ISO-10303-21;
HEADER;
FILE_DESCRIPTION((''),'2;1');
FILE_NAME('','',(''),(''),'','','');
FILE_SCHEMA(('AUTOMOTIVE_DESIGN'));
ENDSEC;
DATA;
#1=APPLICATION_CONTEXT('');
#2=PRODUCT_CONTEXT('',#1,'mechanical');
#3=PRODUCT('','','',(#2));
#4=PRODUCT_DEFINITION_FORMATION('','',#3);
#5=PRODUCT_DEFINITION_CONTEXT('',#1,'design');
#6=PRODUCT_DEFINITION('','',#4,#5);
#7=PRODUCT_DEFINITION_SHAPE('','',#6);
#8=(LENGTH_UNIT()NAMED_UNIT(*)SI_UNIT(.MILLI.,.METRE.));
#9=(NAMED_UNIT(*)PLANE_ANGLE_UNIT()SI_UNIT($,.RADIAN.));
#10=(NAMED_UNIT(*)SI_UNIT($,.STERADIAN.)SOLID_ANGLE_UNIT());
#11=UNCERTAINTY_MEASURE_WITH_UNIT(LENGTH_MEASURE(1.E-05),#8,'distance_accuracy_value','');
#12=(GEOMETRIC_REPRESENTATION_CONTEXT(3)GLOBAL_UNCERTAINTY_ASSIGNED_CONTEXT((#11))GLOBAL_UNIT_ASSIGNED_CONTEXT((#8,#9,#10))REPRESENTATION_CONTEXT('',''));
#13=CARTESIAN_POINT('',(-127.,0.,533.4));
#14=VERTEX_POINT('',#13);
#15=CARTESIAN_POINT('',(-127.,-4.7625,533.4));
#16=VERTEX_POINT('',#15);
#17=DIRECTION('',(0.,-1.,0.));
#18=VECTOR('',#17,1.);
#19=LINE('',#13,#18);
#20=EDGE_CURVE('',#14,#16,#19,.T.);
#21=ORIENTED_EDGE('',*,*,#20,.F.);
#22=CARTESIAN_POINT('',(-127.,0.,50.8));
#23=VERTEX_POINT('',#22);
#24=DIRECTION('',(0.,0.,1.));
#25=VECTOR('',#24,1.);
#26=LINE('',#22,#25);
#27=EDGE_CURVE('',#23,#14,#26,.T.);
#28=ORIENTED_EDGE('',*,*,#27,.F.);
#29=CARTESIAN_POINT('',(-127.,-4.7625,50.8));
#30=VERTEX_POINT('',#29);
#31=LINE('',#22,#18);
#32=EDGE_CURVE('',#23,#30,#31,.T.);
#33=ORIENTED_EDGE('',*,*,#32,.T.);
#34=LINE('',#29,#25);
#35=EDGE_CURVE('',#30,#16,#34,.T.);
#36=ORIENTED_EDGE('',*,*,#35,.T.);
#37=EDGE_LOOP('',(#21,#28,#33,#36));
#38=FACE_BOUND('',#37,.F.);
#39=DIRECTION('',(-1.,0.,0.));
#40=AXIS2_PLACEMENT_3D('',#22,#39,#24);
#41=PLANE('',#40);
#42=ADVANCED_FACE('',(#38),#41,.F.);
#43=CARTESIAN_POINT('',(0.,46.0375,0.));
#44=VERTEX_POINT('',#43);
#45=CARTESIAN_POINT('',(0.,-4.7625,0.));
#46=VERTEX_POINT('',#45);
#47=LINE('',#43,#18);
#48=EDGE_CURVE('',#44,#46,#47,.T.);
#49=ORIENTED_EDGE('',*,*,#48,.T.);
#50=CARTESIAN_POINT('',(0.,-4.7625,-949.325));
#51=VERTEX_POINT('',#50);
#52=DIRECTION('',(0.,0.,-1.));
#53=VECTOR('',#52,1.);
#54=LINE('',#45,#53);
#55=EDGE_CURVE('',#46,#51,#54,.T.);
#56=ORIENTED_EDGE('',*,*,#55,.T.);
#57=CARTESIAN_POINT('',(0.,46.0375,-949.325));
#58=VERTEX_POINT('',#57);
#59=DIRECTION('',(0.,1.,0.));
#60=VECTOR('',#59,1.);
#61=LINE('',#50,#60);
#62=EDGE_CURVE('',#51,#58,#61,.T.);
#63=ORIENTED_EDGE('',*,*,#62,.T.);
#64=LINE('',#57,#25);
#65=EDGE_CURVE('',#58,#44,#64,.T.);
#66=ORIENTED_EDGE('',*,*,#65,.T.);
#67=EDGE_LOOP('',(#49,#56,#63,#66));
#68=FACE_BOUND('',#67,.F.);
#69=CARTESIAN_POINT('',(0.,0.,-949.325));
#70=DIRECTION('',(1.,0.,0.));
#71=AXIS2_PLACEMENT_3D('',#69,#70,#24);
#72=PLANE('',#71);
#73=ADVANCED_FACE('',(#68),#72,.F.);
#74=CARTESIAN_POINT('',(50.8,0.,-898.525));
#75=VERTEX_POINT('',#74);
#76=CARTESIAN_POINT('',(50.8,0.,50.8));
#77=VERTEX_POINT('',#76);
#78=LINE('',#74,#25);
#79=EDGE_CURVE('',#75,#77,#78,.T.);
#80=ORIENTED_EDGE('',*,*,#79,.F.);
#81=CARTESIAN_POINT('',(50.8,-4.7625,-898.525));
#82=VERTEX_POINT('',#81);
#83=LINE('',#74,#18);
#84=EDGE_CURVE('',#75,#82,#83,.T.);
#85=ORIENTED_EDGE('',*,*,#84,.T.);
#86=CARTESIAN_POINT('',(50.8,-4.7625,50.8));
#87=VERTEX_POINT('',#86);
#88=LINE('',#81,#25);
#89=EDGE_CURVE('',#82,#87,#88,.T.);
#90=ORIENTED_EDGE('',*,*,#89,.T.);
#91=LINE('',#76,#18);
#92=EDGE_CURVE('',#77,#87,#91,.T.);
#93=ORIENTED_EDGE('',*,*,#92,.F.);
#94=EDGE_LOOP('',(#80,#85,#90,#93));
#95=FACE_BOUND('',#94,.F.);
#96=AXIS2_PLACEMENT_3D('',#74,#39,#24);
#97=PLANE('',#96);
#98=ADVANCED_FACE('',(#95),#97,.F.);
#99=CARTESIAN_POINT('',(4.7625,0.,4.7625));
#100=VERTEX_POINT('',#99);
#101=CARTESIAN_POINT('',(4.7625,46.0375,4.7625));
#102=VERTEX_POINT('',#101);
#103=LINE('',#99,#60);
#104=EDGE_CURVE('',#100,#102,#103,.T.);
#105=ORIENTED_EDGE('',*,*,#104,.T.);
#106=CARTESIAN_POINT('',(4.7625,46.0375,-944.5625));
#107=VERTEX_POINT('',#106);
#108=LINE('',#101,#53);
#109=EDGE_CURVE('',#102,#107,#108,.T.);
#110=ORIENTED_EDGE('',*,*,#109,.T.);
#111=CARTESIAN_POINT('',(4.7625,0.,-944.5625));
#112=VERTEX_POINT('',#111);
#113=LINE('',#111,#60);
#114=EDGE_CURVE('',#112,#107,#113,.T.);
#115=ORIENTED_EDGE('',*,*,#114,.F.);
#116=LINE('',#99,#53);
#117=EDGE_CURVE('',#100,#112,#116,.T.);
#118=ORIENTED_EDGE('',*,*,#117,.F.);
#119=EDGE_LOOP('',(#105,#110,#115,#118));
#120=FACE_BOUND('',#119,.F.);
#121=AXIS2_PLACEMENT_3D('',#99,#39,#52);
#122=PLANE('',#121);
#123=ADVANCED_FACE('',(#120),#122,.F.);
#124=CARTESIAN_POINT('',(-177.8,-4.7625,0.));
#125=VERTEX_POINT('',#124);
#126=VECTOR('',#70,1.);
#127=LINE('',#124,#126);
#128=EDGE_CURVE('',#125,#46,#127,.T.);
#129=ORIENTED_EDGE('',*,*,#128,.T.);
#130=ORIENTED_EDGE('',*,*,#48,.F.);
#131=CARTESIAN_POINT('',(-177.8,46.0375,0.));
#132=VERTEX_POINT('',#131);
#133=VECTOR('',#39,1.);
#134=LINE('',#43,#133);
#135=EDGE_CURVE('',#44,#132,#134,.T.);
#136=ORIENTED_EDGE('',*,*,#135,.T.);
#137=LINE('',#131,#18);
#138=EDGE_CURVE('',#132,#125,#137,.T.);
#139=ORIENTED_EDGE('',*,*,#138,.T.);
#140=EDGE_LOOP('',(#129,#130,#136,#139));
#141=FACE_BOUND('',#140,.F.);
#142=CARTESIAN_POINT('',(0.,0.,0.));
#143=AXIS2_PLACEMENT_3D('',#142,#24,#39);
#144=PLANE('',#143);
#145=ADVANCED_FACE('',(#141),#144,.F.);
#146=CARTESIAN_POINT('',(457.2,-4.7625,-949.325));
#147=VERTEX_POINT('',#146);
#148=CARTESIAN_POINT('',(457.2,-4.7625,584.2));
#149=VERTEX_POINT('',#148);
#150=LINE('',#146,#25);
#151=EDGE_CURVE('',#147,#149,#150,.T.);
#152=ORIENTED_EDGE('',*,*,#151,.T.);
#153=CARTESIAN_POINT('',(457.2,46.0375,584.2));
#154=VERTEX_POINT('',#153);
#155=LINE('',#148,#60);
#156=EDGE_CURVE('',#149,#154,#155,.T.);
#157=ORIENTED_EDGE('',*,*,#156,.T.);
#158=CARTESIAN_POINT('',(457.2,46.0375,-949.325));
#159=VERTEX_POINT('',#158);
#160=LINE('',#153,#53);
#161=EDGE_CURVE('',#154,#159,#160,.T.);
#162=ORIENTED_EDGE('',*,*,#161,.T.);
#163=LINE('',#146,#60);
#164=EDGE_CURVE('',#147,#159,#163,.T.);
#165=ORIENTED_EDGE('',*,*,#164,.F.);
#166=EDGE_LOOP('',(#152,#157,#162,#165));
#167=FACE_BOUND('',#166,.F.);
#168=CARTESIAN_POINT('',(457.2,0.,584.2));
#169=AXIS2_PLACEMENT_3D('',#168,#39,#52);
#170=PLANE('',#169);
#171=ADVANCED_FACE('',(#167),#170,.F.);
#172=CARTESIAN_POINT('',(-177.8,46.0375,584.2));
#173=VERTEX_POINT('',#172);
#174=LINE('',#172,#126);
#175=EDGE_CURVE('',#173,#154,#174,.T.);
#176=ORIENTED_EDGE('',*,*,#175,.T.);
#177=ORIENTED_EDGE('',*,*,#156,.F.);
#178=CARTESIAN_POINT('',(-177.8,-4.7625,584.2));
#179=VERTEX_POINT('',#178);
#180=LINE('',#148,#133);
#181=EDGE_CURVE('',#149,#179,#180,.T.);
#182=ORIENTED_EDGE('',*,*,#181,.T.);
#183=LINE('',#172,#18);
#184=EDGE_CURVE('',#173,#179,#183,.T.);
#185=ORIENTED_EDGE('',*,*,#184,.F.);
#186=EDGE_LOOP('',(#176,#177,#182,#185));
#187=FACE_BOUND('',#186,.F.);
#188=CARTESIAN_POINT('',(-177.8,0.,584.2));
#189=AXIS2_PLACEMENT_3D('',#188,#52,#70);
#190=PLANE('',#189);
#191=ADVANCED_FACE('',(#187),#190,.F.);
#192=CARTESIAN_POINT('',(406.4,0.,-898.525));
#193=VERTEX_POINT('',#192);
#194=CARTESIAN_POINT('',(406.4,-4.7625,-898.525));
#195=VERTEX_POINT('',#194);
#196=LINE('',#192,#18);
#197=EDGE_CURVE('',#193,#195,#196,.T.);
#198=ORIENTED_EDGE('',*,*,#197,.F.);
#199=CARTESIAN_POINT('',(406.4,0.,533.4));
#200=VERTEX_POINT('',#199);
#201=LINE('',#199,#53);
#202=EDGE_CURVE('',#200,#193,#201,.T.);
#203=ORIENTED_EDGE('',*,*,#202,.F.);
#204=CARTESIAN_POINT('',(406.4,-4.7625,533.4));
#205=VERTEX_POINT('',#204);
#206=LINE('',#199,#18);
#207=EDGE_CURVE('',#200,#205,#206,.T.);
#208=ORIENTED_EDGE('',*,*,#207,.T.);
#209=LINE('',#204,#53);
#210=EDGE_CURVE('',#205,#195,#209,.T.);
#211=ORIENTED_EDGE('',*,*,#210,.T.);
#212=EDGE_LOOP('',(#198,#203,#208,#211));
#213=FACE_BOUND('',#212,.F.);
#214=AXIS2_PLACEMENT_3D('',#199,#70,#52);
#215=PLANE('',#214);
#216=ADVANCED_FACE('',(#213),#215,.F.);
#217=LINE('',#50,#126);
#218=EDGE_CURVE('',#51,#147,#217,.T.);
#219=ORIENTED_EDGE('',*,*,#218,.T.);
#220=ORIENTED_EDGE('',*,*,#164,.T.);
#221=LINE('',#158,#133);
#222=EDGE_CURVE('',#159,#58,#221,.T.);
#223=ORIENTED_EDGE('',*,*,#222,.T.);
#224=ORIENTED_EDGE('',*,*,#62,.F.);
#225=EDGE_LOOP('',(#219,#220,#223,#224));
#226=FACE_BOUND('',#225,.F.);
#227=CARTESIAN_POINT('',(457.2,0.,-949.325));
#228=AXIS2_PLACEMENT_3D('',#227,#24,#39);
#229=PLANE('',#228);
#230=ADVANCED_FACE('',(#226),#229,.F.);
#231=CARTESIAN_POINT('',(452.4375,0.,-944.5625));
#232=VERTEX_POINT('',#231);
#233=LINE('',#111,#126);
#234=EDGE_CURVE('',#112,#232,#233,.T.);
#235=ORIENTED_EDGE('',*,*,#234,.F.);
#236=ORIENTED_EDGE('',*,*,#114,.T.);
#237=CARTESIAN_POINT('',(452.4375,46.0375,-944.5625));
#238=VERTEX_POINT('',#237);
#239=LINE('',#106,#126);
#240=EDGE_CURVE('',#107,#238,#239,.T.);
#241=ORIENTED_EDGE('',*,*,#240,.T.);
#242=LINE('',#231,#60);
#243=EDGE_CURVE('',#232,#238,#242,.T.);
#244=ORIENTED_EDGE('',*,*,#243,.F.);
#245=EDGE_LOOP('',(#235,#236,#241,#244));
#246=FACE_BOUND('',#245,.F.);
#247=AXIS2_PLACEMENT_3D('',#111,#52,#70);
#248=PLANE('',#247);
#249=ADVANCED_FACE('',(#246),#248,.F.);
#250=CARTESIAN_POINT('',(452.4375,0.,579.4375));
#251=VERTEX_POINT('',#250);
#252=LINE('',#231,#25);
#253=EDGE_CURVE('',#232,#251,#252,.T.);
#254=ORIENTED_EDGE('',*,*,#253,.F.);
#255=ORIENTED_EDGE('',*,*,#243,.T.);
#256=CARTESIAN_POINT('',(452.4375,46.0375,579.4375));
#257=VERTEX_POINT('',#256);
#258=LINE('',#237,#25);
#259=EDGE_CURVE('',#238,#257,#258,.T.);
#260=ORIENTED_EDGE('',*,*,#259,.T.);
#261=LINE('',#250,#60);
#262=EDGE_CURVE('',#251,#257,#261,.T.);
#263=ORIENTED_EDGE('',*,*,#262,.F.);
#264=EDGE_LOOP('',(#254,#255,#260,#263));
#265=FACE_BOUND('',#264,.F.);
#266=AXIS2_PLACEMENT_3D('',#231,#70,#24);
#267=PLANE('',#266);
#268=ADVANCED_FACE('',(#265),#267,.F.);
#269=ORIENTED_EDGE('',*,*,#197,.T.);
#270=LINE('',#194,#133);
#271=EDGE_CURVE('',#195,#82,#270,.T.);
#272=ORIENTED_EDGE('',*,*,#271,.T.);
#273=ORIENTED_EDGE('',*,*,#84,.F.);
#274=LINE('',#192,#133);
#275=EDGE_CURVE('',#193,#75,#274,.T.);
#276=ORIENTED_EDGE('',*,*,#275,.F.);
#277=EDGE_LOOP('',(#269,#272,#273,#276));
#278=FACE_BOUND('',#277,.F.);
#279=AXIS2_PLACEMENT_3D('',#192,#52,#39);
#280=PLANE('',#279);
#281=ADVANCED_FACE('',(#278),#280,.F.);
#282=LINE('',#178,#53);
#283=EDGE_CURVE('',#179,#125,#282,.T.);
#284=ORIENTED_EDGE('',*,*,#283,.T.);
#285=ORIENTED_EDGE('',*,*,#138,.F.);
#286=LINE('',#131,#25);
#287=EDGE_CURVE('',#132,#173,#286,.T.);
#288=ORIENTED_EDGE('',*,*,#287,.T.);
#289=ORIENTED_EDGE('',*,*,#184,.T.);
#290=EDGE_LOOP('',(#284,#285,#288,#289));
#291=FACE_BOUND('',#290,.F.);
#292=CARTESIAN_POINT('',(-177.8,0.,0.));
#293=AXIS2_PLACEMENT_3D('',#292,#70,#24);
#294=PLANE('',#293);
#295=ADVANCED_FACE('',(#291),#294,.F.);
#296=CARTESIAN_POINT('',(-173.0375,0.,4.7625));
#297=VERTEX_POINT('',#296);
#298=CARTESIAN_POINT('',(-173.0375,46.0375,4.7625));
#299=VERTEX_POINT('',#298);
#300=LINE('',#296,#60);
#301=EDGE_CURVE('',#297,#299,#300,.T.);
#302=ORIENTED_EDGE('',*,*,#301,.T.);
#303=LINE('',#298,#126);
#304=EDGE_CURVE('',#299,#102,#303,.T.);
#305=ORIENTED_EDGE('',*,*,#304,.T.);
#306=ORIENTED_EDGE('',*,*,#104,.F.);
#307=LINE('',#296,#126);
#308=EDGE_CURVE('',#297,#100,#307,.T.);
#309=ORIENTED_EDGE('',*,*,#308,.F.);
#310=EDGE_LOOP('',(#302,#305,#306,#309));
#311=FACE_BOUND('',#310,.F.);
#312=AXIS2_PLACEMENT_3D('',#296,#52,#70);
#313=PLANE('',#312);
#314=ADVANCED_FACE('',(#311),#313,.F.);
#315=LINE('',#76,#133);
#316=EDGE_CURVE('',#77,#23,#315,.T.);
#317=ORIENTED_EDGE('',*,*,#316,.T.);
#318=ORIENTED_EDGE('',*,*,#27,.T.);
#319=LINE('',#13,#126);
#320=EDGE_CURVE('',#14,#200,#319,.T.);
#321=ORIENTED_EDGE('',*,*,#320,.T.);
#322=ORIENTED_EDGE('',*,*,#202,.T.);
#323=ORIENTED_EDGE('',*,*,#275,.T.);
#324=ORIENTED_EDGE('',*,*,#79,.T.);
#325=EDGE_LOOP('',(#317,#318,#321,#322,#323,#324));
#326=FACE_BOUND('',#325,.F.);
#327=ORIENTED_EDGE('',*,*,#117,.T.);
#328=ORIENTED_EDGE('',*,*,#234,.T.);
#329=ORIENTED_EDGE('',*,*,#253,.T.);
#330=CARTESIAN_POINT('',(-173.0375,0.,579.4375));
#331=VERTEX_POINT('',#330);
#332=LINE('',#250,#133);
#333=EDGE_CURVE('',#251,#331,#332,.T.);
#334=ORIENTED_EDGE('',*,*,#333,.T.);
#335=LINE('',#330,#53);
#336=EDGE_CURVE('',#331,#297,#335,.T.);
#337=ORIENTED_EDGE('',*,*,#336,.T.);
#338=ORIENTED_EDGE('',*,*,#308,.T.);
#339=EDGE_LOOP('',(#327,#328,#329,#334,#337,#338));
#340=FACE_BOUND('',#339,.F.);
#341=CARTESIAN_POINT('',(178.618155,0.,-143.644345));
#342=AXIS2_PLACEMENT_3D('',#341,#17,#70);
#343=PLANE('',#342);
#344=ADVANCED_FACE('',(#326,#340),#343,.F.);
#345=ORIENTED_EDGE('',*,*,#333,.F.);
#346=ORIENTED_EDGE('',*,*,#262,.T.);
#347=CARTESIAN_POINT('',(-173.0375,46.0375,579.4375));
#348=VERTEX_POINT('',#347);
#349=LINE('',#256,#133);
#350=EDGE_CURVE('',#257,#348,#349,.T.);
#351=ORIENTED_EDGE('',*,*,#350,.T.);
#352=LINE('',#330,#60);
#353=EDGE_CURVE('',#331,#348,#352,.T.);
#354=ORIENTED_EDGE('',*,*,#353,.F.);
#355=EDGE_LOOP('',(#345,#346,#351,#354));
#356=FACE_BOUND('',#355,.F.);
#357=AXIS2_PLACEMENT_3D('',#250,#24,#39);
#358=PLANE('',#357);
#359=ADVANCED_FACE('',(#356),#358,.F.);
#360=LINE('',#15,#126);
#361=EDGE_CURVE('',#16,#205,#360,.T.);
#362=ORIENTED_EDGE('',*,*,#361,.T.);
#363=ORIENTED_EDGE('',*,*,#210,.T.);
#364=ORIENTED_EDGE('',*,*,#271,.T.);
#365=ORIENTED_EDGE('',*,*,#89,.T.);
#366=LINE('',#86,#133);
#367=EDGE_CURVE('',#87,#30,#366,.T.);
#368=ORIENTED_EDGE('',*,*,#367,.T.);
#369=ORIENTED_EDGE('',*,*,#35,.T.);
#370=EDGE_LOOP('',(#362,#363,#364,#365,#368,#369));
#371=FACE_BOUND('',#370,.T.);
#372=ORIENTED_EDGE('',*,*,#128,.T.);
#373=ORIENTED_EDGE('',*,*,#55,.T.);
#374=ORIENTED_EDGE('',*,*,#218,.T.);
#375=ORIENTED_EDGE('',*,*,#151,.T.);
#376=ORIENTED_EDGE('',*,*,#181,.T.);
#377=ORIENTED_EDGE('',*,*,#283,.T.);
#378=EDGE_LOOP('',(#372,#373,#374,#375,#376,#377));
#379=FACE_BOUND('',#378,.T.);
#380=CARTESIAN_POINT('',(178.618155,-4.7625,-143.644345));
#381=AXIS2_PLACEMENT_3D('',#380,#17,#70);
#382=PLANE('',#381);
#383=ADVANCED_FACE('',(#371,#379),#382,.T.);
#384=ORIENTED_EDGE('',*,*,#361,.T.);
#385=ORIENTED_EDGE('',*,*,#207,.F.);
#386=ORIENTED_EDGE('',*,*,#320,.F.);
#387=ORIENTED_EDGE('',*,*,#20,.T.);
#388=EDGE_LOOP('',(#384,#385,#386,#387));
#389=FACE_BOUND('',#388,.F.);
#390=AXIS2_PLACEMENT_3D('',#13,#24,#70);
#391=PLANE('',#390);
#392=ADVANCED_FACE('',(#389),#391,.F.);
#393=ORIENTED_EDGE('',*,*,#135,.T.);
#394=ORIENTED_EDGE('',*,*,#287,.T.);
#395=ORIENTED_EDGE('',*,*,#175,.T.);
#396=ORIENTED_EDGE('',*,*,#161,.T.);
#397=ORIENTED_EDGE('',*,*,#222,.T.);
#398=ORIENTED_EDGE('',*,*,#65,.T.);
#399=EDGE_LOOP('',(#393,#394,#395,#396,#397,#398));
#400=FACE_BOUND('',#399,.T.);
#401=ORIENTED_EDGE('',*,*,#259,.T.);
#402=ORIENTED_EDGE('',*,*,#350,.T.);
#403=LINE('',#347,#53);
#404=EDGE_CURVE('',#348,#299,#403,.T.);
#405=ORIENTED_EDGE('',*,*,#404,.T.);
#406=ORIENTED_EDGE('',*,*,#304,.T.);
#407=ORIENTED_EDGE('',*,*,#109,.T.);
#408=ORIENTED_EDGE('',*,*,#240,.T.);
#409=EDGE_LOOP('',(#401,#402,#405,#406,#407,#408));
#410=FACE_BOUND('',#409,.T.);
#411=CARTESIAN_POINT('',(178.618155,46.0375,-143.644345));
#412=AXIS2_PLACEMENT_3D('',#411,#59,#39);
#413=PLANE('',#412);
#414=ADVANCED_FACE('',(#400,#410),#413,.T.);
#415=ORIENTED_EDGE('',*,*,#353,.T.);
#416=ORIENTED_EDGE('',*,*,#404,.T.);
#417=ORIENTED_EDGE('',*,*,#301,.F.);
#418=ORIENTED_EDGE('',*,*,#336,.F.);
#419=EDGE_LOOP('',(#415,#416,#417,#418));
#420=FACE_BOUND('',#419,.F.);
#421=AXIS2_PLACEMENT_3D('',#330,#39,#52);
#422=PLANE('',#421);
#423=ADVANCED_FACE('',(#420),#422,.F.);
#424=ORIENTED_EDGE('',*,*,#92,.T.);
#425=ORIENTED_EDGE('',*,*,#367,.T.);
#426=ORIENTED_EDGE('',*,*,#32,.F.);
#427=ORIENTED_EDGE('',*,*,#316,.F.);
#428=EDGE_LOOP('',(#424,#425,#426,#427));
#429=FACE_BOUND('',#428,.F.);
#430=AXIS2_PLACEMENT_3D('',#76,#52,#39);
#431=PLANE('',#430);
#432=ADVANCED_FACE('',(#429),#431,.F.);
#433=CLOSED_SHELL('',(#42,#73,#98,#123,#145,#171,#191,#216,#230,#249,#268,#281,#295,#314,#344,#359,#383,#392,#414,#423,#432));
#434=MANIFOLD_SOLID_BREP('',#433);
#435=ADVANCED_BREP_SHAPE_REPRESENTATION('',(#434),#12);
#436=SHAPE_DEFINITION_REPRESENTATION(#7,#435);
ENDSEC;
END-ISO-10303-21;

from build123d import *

# Parameters (mm, degrees)
F1_DEPTH = 4.7625
F3_DEPTH = 46.0375


with BuildPart() as f1:
    # F0 (on Front) → F1 (new body)
    with BuildSketch(Plane.XZ):
        Polygon((457.2, 584.2), (-177.8, 584.2), (-177.8, 0), (0, 0), (0, -949.325), (457.2, -949.325), align=None)
        Polygon((50.8, -898.525), (50.8, 50.8), (-127, 50.8), (-127, 533.4), (406.4, 533.4), (406.4, -898.525), align=None, mode=Mode.SUBTRACT)
    extrude(amount=F1_DEPTH)

    # F2 (on face) → F3 (join)
    with BuildSketch(Plane(origin=(0, 0, 0), x_dir=(-1, 0, 0), z_dir=(0, 1, 0))):
        Polygon((177.8, 584.2), (-457.2, 584.2), (-457.2, -949.325), (0, -949.325), (0, 0), (177.8, 0), align=None)
        Polygon((-4.7625, -944.5625), (-452.4375, -944.5625), (-452.4375, 579.4375), (173.0375, 579.4375), (173.0375, 4.7625), (-4.7625, 4.7625), align=None, mode=Mode.SUBTRACT)
    extrude(amount=F3_DEPTH)


solid = f1.part
